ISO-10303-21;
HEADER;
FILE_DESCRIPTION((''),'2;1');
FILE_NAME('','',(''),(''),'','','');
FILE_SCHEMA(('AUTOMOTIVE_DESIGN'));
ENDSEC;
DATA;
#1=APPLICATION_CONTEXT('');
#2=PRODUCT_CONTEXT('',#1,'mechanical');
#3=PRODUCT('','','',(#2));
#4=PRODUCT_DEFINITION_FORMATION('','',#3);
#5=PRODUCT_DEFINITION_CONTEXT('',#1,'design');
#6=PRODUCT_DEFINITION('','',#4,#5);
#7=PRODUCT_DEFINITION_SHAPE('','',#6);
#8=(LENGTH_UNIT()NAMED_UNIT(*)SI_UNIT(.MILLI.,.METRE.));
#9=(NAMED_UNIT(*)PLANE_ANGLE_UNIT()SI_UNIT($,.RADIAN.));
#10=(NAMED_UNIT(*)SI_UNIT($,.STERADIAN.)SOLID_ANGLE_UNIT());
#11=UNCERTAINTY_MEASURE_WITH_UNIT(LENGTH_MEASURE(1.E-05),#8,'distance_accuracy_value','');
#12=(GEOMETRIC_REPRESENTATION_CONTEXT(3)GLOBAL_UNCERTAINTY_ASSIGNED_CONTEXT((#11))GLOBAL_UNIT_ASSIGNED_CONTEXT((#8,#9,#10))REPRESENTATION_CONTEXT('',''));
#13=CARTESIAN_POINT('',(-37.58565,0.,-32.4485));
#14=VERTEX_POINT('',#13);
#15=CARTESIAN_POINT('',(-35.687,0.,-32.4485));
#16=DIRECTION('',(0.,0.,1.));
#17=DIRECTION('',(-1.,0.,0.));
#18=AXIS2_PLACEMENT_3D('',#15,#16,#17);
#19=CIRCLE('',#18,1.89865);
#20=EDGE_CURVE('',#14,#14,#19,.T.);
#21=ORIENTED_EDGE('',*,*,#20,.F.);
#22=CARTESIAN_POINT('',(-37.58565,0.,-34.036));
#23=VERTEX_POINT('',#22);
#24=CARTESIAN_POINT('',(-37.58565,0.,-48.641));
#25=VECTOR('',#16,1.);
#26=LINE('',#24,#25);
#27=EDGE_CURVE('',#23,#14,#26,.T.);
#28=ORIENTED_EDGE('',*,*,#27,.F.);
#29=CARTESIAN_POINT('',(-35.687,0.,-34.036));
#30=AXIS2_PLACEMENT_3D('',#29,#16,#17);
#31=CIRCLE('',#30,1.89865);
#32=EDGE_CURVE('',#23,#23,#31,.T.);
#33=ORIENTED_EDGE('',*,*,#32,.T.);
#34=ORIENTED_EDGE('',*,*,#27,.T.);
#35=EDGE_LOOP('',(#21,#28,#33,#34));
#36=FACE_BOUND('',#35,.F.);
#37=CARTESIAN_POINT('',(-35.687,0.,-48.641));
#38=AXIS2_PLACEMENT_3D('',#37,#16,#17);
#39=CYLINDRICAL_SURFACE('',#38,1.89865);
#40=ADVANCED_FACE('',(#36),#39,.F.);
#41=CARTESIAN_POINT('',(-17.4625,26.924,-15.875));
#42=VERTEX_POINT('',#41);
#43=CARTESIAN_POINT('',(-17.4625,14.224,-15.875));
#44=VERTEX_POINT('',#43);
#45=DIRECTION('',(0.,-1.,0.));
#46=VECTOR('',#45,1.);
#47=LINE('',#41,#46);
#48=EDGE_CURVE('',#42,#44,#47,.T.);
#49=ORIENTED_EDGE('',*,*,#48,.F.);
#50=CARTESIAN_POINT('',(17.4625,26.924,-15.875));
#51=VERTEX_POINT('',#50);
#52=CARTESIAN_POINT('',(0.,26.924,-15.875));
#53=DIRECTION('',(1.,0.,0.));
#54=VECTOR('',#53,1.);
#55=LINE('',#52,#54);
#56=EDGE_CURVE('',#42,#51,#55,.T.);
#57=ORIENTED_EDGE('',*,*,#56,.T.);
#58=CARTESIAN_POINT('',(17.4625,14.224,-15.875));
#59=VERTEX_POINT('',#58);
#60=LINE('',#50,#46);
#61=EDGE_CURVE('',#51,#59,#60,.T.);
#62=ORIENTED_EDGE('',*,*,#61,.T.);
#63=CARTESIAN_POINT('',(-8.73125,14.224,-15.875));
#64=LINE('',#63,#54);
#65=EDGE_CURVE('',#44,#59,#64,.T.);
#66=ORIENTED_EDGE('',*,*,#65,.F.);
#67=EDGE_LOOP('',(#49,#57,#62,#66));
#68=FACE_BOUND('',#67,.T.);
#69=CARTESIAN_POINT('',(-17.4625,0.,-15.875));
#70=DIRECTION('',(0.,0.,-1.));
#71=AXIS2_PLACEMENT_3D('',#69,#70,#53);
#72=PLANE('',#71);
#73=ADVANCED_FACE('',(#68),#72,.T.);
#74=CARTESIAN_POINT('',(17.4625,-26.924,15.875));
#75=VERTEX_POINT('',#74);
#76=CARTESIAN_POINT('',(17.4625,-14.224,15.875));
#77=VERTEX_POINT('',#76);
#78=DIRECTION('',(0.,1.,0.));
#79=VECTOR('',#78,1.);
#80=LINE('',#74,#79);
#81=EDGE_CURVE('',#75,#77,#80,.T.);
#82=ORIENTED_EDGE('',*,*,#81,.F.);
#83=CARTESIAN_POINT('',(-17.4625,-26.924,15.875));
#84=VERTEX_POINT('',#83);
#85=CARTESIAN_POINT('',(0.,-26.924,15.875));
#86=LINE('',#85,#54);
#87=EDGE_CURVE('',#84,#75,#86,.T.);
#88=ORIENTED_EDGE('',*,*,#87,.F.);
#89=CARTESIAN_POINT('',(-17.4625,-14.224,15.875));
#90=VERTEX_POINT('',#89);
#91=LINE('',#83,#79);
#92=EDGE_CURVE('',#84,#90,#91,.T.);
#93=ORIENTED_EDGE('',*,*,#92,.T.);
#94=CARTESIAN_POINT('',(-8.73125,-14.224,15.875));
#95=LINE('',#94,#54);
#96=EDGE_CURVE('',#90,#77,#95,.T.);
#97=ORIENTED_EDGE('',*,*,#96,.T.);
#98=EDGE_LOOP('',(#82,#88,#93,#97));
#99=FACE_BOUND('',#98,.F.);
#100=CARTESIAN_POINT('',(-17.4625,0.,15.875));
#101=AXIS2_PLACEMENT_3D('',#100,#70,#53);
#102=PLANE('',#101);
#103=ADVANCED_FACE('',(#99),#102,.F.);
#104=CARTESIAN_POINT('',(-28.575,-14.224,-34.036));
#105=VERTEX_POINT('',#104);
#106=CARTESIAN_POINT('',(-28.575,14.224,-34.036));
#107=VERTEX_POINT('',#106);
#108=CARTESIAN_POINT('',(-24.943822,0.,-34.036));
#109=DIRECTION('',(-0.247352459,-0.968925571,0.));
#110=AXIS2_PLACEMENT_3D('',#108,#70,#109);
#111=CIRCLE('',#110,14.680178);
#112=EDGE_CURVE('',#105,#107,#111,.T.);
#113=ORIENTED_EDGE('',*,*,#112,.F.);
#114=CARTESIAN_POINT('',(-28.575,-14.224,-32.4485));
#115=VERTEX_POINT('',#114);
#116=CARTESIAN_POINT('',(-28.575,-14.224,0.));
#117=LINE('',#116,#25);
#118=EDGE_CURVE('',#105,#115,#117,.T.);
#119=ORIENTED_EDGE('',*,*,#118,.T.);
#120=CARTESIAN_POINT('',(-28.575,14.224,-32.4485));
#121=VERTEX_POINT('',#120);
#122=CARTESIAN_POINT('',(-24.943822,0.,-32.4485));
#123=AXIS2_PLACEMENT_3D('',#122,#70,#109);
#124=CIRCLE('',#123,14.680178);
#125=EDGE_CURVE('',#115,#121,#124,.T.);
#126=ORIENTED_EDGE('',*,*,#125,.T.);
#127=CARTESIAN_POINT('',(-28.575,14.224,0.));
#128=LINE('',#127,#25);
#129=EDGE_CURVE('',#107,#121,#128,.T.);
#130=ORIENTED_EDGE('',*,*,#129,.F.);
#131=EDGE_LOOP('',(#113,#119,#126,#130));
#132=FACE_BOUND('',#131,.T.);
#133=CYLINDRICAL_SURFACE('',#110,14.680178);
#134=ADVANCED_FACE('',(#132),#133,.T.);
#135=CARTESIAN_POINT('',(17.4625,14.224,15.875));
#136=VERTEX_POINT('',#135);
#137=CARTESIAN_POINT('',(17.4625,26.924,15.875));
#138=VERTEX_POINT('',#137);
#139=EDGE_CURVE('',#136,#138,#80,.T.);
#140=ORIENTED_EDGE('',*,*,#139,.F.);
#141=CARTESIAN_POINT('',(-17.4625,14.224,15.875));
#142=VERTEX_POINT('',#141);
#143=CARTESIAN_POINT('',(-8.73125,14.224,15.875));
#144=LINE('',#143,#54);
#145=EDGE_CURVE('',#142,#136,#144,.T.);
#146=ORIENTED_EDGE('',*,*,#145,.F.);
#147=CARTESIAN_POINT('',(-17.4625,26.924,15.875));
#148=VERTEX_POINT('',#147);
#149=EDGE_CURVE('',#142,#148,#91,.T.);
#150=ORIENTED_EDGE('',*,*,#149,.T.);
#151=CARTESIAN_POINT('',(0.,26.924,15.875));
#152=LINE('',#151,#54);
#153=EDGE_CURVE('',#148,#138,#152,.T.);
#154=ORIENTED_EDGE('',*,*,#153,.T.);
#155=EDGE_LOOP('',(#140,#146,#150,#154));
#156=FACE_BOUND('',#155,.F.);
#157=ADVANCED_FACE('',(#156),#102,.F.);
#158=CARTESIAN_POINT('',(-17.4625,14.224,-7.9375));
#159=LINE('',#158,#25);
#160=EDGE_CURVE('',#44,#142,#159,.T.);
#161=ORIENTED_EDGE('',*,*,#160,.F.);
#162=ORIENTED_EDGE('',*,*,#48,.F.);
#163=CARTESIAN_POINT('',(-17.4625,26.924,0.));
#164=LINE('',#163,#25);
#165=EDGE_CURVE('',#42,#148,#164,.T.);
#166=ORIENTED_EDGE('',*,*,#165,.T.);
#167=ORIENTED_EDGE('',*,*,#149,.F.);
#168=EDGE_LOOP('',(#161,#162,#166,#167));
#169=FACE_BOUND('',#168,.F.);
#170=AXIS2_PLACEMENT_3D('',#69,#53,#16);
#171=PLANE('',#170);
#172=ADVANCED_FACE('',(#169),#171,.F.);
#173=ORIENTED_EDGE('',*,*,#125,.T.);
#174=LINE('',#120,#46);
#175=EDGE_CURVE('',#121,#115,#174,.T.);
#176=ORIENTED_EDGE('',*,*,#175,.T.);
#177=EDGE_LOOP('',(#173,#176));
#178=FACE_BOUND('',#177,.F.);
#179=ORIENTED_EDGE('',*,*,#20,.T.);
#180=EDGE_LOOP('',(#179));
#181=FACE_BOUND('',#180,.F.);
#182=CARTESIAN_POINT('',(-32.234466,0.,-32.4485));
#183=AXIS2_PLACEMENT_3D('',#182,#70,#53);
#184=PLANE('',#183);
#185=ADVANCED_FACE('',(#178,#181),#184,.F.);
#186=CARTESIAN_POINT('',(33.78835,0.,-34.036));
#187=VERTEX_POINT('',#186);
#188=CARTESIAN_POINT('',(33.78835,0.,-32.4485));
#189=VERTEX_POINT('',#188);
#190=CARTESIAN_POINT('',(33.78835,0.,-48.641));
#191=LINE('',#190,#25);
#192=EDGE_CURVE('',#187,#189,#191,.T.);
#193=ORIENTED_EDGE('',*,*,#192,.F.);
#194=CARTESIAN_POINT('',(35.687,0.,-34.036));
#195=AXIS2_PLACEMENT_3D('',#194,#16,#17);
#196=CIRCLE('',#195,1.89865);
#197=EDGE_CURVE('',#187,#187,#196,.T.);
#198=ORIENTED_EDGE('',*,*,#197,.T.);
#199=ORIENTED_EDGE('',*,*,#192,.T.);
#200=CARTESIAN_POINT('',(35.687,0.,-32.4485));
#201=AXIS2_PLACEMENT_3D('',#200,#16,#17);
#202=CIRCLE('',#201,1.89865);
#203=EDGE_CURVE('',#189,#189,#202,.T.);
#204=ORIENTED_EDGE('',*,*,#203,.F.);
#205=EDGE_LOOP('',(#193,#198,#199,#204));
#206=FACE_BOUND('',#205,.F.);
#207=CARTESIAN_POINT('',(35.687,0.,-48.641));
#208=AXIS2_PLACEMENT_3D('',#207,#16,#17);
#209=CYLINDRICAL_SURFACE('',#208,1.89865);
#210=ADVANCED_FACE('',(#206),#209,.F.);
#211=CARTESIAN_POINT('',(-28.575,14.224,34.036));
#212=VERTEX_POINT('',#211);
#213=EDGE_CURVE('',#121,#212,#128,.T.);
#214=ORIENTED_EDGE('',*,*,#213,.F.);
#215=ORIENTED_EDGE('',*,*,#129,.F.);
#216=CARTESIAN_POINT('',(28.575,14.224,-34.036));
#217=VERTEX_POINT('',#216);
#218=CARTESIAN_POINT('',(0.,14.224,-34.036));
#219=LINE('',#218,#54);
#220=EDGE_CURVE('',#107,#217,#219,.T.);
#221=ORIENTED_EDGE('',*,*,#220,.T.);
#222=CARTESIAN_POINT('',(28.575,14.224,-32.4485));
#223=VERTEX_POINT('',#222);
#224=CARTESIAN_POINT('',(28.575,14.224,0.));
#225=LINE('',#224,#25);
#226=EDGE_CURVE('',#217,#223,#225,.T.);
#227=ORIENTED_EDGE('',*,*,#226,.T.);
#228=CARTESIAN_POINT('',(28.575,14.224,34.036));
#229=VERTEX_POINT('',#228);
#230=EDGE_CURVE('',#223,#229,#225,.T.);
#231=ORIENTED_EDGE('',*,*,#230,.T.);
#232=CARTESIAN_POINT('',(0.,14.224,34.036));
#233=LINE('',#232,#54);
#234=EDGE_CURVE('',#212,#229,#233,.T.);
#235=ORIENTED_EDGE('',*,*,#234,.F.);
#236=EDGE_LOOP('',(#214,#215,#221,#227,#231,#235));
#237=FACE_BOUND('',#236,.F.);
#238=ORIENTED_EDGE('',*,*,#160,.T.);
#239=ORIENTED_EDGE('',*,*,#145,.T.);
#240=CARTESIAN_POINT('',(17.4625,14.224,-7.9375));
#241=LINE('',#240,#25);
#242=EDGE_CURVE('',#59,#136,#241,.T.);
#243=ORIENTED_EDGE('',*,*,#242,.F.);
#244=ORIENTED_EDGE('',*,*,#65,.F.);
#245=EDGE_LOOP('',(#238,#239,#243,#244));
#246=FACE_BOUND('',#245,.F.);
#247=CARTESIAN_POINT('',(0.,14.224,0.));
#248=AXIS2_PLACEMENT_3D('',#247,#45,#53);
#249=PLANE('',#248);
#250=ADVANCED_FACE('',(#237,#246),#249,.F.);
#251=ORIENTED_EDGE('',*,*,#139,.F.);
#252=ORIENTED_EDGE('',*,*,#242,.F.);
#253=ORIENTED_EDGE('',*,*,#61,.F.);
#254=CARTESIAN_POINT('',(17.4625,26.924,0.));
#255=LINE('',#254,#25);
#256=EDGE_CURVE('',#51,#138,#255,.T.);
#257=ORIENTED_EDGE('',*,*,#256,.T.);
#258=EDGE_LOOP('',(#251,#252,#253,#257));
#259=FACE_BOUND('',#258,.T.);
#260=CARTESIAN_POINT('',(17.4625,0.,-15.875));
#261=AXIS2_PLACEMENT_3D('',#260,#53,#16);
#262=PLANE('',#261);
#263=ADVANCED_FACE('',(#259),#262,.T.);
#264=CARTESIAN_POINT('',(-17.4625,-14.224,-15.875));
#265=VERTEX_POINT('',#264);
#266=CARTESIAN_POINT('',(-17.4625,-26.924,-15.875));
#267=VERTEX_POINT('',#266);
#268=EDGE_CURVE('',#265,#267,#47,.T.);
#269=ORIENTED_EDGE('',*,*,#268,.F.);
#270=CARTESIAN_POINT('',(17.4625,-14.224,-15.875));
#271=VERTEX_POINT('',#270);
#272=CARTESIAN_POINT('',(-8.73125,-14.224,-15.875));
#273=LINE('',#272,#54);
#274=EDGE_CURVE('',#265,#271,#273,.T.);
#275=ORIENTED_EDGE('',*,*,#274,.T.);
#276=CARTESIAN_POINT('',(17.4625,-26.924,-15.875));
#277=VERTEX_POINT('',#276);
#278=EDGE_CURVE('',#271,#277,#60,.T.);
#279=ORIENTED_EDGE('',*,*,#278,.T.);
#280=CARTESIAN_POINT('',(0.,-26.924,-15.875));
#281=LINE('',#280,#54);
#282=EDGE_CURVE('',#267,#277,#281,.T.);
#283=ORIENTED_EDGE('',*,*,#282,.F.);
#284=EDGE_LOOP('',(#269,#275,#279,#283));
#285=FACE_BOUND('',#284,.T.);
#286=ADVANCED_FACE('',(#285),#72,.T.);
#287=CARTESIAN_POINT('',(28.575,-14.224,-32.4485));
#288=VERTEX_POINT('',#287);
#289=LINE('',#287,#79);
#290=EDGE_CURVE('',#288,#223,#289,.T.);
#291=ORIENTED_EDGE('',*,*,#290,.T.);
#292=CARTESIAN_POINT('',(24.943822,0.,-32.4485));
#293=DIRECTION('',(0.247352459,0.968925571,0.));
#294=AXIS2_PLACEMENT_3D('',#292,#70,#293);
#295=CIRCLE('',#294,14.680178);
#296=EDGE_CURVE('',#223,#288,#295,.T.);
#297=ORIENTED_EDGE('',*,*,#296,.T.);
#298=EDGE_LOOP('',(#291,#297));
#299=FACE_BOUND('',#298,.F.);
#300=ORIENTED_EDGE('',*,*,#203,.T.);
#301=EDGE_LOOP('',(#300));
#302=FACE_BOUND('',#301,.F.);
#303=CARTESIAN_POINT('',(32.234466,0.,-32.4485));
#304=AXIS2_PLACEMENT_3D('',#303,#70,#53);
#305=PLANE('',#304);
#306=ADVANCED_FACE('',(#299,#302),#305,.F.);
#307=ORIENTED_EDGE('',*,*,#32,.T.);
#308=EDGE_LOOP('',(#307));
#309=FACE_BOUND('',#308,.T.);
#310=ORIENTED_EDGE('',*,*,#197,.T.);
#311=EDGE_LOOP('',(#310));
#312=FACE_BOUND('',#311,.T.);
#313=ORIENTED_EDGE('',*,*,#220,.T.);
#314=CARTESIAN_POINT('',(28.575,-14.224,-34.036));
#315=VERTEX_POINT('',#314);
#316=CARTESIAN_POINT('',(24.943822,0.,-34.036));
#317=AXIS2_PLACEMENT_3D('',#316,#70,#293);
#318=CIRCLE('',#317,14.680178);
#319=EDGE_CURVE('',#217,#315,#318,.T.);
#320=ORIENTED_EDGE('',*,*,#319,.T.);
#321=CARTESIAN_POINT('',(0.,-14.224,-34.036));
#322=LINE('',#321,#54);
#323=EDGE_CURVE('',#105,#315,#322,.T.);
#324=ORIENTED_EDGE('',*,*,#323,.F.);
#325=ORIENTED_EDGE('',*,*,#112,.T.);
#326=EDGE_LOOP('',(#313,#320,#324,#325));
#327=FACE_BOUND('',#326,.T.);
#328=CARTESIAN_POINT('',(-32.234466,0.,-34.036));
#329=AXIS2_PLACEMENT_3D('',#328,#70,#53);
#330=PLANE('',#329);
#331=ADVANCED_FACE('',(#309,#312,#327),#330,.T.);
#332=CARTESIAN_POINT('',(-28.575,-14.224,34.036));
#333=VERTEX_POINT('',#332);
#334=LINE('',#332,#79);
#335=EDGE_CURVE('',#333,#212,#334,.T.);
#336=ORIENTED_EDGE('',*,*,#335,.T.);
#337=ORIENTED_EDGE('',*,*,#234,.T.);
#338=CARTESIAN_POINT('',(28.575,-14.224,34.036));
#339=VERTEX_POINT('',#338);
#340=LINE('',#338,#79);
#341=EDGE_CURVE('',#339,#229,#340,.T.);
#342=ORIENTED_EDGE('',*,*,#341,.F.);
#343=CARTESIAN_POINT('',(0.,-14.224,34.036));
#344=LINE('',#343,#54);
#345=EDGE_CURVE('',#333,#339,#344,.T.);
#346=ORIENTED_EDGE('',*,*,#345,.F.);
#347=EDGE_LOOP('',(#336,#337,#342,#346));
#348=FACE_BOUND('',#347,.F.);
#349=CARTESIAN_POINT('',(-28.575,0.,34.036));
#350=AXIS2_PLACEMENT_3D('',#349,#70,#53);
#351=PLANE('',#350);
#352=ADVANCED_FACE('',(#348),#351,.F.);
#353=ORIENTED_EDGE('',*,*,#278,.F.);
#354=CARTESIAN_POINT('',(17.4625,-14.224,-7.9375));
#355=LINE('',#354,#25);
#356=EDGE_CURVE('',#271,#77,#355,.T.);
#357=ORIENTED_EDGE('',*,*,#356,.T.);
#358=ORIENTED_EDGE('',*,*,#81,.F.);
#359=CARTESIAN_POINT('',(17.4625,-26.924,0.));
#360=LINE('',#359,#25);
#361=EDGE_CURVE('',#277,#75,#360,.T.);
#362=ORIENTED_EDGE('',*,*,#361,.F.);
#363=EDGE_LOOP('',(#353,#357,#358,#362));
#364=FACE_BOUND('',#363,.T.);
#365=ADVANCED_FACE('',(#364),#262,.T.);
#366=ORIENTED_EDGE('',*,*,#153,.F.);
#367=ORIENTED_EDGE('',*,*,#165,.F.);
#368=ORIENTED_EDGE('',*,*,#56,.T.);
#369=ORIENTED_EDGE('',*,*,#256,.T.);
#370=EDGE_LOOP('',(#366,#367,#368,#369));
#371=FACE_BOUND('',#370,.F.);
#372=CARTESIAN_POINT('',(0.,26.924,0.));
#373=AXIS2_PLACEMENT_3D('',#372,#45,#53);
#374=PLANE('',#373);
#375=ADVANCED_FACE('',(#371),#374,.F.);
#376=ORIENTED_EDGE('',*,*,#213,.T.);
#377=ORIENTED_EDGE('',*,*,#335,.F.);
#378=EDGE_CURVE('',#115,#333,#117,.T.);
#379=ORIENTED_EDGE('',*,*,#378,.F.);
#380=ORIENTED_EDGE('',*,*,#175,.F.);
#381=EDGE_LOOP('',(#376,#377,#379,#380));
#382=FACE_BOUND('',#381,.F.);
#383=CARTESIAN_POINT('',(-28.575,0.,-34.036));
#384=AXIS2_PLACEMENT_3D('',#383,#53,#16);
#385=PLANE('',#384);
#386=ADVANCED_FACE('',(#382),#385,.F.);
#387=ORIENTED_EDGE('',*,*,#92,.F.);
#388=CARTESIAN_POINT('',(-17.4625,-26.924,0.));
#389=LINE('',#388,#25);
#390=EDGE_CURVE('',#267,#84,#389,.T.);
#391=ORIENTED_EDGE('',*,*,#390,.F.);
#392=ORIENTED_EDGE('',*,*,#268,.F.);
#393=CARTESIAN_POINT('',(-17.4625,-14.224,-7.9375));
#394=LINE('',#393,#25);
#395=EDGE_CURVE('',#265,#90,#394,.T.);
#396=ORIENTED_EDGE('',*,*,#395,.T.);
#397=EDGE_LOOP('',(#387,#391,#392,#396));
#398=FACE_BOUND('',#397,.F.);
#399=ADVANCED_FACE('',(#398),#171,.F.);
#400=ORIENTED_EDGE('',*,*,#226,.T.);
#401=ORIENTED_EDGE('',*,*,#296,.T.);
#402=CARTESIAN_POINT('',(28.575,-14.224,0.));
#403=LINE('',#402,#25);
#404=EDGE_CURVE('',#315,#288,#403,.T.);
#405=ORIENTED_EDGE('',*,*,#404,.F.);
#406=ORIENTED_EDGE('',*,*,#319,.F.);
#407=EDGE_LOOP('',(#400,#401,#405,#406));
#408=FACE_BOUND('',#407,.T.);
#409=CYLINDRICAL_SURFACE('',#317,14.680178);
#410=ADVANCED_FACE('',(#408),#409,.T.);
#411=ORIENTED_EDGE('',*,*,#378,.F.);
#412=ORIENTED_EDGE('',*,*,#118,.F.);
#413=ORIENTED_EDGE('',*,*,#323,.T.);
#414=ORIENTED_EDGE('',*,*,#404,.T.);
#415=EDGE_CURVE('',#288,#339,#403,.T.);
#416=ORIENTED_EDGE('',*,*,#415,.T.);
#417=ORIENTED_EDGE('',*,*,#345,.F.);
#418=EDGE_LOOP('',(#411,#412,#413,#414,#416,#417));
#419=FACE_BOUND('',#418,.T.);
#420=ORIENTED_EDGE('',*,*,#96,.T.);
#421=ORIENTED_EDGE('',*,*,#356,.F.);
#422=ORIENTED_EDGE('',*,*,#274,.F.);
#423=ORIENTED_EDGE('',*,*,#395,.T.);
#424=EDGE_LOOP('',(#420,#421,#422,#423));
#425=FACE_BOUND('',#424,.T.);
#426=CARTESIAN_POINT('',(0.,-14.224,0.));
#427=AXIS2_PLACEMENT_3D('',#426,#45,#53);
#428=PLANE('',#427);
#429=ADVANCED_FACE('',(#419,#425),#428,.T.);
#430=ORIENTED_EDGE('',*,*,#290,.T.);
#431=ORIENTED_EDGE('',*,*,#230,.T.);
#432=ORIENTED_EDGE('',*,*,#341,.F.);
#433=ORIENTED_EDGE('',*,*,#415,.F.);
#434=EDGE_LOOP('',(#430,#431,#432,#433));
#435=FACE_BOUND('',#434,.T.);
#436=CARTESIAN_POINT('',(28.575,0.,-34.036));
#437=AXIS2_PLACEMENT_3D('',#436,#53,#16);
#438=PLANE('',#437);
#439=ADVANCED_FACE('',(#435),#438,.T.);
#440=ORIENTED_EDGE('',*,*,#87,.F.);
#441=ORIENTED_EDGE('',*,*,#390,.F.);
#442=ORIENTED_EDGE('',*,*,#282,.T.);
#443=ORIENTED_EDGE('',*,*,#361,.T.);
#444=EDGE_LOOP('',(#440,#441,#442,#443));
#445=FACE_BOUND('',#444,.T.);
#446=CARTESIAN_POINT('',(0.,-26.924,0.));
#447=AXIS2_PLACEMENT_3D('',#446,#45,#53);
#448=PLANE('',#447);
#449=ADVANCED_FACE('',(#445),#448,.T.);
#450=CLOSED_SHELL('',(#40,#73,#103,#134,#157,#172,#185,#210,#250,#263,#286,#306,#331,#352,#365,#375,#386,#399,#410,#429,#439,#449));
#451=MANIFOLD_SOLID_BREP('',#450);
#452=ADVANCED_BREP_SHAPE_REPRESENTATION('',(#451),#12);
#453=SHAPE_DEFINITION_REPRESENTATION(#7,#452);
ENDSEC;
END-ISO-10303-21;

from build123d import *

# Parameters (mm, degrees)
F0_W     = 57.15
F0_H     = 68.072
F1_DEPTH = 14.224
F2_W     = 34.925
F2_H     = 31.75
F3_DEPTH = 26.924
F5_DEPTH = 1.5875
F7_D     = 3.7973
F7_DEPTH = 14.605
F7_TIP   = 1.1408240143


with BuildPart() as f1:
    # F0 (on Front) → F1 (new body, symmetric)
    with BuildSketch(Plane.XZ):
        Rectangle(F0_W, F0_H)
    extrude(amount=F1_DEPTH, both=True)

    # F2 (on Front) → F3 (join, symmetric)
    with BuildSketch(Plane.XZ):
        Rectangle(F2_W, F2_H)
    extrude(amount=F3_DEPTH, both=True)

    # F4 (on face) → F5 (join)
    with BuildSketch(Plane(origin=(0, 0, -34.036), x_dir=(1, 0, 0), z_dir=(0, 0, -1))):
        with BuildLine():
            Line((-28.575, -14.224), (-28.575, 14.224))
            ThreePointArc((-28.575, 14.224), (-39.624, 0), (-28.575, -14.224))
        make_face()
        with BuildLine():
            ThreePointArc((28.575, -14.224), (39.624, 0), (28.575, 14.224))
            Line((28.575, 14.224), (28.575, -14.224))
        make_face()
    extrude(amount=-F5_DEPTH)

    # F7
    with Locations(Plane(origin=(0, 0, -34.036), x_dir=(1, 0, 0), z_dir=(0, 0, -1))):
        with Locations((-35.687, 0), (35.687, 0)):
            Hole(F7_D / 2, depth=F7_DEPTH)
            with Locations((0, 0, -(F7_DEPTH + F7_TIP / 2))):  # 118° drill point
                Cone(0, F7_D / 2, F7_TIP, mode=Mode.SUBTRACT)


solid = f1.part
